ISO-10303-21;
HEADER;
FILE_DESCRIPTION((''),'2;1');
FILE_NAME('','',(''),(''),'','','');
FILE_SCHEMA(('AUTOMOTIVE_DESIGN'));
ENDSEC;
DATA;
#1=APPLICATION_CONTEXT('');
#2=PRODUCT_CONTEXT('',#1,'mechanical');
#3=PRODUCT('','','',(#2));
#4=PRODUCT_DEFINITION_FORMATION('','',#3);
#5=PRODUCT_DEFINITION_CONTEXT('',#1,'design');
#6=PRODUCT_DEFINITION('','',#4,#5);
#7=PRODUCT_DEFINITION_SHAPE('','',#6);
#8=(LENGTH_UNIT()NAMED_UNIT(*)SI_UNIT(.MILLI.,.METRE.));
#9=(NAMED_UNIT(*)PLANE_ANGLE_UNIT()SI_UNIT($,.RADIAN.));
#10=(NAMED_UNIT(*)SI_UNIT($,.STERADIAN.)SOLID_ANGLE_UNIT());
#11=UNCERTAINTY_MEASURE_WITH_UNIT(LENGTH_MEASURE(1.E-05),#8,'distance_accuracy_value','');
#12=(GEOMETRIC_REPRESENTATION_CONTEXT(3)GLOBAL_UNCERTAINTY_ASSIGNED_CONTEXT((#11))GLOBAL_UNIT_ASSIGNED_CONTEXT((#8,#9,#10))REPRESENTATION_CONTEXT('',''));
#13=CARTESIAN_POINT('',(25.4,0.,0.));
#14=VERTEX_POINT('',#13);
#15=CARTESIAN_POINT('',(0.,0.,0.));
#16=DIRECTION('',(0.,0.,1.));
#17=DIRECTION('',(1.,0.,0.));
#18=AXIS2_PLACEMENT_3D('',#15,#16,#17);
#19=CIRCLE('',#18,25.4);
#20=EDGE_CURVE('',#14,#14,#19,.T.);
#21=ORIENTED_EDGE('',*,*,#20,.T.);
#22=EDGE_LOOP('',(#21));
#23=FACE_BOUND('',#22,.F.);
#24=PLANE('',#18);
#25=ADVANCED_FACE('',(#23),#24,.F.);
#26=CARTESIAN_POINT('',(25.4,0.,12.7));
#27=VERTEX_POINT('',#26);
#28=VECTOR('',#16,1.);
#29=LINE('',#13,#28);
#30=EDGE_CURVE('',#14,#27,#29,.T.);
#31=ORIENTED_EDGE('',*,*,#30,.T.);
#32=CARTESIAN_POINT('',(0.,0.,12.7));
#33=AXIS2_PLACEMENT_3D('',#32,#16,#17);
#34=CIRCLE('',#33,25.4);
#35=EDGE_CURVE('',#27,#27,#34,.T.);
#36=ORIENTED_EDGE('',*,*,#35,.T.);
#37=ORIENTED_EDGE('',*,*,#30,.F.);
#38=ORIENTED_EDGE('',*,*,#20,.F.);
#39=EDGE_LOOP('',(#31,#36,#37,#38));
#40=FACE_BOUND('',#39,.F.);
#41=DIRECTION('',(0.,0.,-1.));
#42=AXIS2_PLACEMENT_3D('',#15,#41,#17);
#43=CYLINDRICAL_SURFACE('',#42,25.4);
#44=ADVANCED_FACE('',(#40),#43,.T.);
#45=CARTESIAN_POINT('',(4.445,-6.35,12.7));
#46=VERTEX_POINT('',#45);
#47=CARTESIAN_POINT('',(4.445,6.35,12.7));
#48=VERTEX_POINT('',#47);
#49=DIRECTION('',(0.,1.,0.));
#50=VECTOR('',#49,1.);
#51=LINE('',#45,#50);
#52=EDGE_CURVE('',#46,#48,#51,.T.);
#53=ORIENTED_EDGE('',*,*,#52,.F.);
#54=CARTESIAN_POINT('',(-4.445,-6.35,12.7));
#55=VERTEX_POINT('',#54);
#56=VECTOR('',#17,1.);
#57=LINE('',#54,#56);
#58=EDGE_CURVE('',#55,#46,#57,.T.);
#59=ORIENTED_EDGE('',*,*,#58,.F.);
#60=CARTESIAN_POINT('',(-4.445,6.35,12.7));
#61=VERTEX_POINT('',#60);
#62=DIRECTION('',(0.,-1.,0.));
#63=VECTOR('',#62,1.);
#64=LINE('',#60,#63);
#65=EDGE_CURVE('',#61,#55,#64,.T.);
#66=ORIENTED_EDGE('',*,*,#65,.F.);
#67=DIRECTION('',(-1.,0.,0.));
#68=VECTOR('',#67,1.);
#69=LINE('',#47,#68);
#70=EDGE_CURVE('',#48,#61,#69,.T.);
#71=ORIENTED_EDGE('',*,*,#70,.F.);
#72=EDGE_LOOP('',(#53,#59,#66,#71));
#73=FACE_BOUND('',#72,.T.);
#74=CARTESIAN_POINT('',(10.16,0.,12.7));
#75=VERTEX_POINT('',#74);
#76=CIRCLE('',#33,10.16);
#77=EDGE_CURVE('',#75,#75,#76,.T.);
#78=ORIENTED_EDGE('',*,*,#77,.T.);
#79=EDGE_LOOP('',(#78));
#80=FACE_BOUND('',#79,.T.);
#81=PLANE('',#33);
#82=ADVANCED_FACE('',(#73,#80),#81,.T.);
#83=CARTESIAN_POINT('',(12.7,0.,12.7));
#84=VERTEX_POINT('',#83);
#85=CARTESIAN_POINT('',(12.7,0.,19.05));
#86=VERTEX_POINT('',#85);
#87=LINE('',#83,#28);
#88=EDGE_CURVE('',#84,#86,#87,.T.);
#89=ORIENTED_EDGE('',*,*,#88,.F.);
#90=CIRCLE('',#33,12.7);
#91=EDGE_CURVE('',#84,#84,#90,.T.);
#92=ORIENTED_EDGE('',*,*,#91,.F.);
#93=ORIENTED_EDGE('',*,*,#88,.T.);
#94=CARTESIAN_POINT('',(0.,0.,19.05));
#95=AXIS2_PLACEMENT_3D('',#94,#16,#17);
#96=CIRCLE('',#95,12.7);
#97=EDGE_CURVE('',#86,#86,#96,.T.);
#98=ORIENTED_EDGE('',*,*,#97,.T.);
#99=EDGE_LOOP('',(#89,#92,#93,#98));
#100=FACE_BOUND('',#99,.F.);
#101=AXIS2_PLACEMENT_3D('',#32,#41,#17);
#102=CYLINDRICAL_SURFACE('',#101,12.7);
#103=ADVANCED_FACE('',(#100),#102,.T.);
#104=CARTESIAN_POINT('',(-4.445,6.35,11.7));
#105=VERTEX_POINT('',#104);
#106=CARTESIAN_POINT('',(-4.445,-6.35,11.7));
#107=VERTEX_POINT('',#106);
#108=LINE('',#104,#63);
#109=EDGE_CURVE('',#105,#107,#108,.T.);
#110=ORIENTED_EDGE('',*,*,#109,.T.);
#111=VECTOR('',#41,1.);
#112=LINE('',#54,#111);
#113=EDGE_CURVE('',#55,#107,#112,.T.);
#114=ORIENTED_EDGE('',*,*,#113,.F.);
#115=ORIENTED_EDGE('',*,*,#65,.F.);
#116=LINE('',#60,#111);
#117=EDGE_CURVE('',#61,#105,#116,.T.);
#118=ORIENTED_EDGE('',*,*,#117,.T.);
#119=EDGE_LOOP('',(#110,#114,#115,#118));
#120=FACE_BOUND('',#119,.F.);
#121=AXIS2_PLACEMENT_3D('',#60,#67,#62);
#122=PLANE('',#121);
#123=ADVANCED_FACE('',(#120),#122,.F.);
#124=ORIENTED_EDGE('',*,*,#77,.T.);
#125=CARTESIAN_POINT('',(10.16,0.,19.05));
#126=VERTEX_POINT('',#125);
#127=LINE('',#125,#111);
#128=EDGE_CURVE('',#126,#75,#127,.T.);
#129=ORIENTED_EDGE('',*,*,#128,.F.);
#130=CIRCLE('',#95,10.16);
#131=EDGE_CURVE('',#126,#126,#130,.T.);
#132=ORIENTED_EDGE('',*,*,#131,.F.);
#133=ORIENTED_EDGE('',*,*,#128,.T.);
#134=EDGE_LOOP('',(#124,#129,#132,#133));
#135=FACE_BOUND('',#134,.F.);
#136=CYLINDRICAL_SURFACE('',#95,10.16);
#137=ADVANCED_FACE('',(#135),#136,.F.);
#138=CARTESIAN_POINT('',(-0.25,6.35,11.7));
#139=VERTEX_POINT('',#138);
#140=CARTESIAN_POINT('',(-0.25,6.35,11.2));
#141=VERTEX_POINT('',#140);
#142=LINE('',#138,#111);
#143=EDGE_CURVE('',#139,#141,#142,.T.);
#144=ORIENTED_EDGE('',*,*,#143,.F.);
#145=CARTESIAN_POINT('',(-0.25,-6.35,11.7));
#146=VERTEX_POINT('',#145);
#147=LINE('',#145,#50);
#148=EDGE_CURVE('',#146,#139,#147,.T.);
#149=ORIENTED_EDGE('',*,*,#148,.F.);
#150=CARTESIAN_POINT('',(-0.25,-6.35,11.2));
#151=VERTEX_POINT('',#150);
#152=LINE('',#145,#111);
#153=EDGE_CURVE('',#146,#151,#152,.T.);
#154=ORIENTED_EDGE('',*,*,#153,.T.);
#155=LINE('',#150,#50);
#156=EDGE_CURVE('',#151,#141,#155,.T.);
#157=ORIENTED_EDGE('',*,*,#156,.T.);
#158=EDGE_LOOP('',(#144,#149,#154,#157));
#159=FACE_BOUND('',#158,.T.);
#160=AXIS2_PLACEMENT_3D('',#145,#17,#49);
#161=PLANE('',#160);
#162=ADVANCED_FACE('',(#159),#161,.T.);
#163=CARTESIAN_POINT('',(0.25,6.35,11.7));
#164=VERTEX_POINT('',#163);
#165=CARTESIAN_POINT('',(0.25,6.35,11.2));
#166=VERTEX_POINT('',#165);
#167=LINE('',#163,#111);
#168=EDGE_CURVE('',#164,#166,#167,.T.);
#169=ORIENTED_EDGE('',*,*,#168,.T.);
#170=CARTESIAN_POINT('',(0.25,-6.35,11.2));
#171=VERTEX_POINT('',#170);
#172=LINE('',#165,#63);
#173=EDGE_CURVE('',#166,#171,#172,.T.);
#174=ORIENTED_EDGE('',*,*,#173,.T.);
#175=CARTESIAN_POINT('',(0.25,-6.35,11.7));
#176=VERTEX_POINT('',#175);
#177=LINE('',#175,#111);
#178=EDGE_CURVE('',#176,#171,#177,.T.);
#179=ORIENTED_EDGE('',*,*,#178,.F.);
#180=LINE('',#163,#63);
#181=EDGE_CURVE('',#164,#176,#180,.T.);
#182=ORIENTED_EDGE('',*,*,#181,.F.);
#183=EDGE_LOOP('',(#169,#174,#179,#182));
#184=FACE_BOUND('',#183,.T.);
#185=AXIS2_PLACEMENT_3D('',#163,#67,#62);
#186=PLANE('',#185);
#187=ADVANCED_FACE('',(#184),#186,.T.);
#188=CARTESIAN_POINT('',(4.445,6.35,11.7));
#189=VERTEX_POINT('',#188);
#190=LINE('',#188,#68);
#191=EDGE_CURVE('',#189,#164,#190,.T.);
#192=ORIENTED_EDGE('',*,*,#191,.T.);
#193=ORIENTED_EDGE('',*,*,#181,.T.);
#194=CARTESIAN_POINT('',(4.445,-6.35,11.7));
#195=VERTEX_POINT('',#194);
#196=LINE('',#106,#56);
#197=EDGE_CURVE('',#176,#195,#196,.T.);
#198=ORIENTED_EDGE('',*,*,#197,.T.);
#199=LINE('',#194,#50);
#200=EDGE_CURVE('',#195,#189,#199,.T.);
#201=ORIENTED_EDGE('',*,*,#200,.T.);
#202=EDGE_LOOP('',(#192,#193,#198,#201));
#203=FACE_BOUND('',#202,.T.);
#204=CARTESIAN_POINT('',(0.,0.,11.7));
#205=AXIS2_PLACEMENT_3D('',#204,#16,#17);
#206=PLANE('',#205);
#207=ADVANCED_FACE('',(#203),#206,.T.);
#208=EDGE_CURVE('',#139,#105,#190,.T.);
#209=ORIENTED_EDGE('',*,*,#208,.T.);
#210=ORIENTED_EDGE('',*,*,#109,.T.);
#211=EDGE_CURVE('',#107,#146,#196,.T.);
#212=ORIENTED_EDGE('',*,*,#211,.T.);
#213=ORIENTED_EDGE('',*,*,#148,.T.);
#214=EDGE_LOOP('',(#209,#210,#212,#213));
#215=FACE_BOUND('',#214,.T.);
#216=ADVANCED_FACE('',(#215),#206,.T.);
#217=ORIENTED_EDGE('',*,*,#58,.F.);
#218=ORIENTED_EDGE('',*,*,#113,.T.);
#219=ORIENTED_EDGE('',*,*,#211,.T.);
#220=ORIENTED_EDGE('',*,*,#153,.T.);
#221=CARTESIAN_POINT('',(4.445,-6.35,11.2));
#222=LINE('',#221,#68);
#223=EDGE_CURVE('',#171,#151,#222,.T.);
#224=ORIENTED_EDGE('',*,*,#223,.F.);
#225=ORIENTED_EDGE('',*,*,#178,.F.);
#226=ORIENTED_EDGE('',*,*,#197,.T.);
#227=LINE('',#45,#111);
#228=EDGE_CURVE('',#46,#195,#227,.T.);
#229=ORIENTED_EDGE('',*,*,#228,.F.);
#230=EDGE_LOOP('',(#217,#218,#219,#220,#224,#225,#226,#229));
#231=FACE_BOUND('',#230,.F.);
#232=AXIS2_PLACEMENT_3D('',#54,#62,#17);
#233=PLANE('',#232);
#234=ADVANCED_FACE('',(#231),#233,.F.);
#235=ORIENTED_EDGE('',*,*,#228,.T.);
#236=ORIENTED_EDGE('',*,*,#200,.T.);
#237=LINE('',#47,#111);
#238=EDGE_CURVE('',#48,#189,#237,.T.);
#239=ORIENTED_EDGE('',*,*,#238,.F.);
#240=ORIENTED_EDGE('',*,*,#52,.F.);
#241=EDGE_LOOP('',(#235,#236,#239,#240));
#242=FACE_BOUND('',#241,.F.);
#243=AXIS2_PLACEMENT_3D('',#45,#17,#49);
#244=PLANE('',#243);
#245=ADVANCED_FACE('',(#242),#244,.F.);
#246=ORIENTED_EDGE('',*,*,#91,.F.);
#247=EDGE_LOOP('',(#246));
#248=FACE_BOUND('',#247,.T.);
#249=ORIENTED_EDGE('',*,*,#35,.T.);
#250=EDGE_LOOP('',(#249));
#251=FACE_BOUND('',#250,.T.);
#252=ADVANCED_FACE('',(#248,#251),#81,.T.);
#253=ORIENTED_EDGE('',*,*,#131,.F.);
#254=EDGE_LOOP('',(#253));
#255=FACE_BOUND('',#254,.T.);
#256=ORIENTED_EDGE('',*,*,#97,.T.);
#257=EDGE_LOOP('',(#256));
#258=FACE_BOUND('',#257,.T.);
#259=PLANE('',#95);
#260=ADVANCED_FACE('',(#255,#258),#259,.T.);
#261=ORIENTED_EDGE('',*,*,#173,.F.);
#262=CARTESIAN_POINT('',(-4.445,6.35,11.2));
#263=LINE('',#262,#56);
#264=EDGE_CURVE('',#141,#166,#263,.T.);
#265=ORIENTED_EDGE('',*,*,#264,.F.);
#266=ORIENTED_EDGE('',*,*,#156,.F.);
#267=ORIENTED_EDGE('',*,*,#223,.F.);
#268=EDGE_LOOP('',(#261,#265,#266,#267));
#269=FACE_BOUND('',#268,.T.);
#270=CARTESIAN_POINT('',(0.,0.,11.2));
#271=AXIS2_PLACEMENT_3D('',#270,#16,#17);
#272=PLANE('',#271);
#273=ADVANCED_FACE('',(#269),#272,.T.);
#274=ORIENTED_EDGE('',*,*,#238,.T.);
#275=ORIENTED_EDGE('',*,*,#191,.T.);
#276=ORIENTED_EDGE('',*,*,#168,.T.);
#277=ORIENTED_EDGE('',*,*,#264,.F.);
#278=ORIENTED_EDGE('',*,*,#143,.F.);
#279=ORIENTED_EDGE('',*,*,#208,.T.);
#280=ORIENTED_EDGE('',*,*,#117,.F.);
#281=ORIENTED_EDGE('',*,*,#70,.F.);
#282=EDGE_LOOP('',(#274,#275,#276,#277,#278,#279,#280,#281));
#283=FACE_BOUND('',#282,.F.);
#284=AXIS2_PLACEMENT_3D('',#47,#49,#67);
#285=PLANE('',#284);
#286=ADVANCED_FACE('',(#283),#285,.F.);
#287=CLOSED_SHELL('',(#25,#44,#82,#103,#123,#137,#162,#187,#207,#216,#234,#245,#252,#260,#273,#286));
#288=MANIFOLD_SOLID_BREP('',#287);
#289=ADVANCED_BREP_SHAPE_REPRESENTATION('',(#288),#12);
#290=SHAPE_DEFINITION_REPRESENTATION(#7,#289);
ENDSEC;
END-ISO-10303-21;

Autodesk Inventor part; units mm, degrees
ref_plane "YZ Plane" through (0, 0, 0) normal (1, 0, 0) x (0, 1, 0)
ref_plane "XZ Plane" through (0, 0, 0) normal (0, 1, 0) x (-1, 0, 0)
ref_plane "XY Plane" through (0, 0, 0) normal (0, 0, 1) x (1, 0, 0)
sketch "Sketch1" plane through (0, 0, 0) normal (0, 0, 1) x (1, 0, 0)
  line L0 (-37.1, -32.05) -> (37.1, -32.05) projected
  line L1 (37.1, 32.05) -> (-37.1, 32.05) projected
  circle A0 centre (0, 0) radius 25.4
  line L2 (37.1, -32.05) -> (37.1, 32.05) projected
  line L3 (-37.1, 32.05) -> (-37.1, -32.05) projected
  dimension "d0" = 50.8
extrude "Lens body" add sketch "Sketch1" along normal blind 12.7 contours A0
sketch "Sketch2" plane through (0, 0, 12.7) normal (0, 0, 1) x (1, 0, 0)
  circle A0 centre (0, 0) radius 25.4 projected
  circle A1 centre (0, 0) radius 12.7
  dimension "d3" = 25.4
extrude "Ring" add sketch "Sketch2" along normal blind 6.35 contours A1
sketch "Sketch5" plane through (0, 0, 19.05) normal (0, 0, 1) x (1, 0, 0)
  circle A0 centre (0, 0) radius 12.7 projected
  circle A1 centre (0, 0) radius 10.16
  dimension "d14" = 2.54
extrude "Pit" cut sketch "Sketch5" against normal blind 6.35 contours A1
sketch "Sketch6" plane through (0, 0, 12.7) normal (0, 0, 1) x (1, 0, 0)
  line L0 (4.445, 6.35) -> (-4.445, 6.35)
  line L1 (-4.445, 6.35) -> (-4.445, -6.35)
  line L2 (-4.445, -6.35) -> (4.445, -6.35)
  line L3 (4.445, -6.35) -> (4.445, 6.35)
  line L4 (4.445, 6.35) -> (-4.445, -6.35) construction
  line L5 (-4.445, 6.35) -> (4.445, -6.35) construction
  point P0 (0, 0)
  dimension "d17" = 12.7
  dimension "d18" = 8.89
extrude "Shutters" cut sketch "Sketch6" against normal blind 1
sketch "Sketch7" plane through (0, 0, 11.7) normal (0, 0, 1) x (1, 0, 0)
  line L0 (-4.445, 6.35) -> (4.445, 6.35) projected
  line L1 (-4.445, -6.35) -> (-4.445, 6.35) projected
  line L2 (4.445, -6.35) -> (-4.445, -6.35) projected
  line L3 (4.445, 6.35) -> (4.445, -6.35) projected
  line L4 (4.445, -6.35) -> (-4.445, -6.35) projected
  line L5 (-0.25, 6.35) -> (0.25, 6.35)
  line L6 (0.25, 6.35) -> (0.25, -6.35)
  line L7 (0.25, -6.35) -> (-0.25, -6.35)
  line L8 (-0.25, -6.35) -> (-0.25, 6.35)
  line L9 (-0.25, 6.35) -> (0.25, -6.35) construction
  line L10 (0.25, 6.35) -> (-0.25, -6.35) construction
  point P0 (0, 0)
  dimension "d21" = 0.5
extrude "Extrusion7" cut sketch "Sketch7" against normal blind 0.5 contours L0 L6 L2 L8
properties part number "Lens"
